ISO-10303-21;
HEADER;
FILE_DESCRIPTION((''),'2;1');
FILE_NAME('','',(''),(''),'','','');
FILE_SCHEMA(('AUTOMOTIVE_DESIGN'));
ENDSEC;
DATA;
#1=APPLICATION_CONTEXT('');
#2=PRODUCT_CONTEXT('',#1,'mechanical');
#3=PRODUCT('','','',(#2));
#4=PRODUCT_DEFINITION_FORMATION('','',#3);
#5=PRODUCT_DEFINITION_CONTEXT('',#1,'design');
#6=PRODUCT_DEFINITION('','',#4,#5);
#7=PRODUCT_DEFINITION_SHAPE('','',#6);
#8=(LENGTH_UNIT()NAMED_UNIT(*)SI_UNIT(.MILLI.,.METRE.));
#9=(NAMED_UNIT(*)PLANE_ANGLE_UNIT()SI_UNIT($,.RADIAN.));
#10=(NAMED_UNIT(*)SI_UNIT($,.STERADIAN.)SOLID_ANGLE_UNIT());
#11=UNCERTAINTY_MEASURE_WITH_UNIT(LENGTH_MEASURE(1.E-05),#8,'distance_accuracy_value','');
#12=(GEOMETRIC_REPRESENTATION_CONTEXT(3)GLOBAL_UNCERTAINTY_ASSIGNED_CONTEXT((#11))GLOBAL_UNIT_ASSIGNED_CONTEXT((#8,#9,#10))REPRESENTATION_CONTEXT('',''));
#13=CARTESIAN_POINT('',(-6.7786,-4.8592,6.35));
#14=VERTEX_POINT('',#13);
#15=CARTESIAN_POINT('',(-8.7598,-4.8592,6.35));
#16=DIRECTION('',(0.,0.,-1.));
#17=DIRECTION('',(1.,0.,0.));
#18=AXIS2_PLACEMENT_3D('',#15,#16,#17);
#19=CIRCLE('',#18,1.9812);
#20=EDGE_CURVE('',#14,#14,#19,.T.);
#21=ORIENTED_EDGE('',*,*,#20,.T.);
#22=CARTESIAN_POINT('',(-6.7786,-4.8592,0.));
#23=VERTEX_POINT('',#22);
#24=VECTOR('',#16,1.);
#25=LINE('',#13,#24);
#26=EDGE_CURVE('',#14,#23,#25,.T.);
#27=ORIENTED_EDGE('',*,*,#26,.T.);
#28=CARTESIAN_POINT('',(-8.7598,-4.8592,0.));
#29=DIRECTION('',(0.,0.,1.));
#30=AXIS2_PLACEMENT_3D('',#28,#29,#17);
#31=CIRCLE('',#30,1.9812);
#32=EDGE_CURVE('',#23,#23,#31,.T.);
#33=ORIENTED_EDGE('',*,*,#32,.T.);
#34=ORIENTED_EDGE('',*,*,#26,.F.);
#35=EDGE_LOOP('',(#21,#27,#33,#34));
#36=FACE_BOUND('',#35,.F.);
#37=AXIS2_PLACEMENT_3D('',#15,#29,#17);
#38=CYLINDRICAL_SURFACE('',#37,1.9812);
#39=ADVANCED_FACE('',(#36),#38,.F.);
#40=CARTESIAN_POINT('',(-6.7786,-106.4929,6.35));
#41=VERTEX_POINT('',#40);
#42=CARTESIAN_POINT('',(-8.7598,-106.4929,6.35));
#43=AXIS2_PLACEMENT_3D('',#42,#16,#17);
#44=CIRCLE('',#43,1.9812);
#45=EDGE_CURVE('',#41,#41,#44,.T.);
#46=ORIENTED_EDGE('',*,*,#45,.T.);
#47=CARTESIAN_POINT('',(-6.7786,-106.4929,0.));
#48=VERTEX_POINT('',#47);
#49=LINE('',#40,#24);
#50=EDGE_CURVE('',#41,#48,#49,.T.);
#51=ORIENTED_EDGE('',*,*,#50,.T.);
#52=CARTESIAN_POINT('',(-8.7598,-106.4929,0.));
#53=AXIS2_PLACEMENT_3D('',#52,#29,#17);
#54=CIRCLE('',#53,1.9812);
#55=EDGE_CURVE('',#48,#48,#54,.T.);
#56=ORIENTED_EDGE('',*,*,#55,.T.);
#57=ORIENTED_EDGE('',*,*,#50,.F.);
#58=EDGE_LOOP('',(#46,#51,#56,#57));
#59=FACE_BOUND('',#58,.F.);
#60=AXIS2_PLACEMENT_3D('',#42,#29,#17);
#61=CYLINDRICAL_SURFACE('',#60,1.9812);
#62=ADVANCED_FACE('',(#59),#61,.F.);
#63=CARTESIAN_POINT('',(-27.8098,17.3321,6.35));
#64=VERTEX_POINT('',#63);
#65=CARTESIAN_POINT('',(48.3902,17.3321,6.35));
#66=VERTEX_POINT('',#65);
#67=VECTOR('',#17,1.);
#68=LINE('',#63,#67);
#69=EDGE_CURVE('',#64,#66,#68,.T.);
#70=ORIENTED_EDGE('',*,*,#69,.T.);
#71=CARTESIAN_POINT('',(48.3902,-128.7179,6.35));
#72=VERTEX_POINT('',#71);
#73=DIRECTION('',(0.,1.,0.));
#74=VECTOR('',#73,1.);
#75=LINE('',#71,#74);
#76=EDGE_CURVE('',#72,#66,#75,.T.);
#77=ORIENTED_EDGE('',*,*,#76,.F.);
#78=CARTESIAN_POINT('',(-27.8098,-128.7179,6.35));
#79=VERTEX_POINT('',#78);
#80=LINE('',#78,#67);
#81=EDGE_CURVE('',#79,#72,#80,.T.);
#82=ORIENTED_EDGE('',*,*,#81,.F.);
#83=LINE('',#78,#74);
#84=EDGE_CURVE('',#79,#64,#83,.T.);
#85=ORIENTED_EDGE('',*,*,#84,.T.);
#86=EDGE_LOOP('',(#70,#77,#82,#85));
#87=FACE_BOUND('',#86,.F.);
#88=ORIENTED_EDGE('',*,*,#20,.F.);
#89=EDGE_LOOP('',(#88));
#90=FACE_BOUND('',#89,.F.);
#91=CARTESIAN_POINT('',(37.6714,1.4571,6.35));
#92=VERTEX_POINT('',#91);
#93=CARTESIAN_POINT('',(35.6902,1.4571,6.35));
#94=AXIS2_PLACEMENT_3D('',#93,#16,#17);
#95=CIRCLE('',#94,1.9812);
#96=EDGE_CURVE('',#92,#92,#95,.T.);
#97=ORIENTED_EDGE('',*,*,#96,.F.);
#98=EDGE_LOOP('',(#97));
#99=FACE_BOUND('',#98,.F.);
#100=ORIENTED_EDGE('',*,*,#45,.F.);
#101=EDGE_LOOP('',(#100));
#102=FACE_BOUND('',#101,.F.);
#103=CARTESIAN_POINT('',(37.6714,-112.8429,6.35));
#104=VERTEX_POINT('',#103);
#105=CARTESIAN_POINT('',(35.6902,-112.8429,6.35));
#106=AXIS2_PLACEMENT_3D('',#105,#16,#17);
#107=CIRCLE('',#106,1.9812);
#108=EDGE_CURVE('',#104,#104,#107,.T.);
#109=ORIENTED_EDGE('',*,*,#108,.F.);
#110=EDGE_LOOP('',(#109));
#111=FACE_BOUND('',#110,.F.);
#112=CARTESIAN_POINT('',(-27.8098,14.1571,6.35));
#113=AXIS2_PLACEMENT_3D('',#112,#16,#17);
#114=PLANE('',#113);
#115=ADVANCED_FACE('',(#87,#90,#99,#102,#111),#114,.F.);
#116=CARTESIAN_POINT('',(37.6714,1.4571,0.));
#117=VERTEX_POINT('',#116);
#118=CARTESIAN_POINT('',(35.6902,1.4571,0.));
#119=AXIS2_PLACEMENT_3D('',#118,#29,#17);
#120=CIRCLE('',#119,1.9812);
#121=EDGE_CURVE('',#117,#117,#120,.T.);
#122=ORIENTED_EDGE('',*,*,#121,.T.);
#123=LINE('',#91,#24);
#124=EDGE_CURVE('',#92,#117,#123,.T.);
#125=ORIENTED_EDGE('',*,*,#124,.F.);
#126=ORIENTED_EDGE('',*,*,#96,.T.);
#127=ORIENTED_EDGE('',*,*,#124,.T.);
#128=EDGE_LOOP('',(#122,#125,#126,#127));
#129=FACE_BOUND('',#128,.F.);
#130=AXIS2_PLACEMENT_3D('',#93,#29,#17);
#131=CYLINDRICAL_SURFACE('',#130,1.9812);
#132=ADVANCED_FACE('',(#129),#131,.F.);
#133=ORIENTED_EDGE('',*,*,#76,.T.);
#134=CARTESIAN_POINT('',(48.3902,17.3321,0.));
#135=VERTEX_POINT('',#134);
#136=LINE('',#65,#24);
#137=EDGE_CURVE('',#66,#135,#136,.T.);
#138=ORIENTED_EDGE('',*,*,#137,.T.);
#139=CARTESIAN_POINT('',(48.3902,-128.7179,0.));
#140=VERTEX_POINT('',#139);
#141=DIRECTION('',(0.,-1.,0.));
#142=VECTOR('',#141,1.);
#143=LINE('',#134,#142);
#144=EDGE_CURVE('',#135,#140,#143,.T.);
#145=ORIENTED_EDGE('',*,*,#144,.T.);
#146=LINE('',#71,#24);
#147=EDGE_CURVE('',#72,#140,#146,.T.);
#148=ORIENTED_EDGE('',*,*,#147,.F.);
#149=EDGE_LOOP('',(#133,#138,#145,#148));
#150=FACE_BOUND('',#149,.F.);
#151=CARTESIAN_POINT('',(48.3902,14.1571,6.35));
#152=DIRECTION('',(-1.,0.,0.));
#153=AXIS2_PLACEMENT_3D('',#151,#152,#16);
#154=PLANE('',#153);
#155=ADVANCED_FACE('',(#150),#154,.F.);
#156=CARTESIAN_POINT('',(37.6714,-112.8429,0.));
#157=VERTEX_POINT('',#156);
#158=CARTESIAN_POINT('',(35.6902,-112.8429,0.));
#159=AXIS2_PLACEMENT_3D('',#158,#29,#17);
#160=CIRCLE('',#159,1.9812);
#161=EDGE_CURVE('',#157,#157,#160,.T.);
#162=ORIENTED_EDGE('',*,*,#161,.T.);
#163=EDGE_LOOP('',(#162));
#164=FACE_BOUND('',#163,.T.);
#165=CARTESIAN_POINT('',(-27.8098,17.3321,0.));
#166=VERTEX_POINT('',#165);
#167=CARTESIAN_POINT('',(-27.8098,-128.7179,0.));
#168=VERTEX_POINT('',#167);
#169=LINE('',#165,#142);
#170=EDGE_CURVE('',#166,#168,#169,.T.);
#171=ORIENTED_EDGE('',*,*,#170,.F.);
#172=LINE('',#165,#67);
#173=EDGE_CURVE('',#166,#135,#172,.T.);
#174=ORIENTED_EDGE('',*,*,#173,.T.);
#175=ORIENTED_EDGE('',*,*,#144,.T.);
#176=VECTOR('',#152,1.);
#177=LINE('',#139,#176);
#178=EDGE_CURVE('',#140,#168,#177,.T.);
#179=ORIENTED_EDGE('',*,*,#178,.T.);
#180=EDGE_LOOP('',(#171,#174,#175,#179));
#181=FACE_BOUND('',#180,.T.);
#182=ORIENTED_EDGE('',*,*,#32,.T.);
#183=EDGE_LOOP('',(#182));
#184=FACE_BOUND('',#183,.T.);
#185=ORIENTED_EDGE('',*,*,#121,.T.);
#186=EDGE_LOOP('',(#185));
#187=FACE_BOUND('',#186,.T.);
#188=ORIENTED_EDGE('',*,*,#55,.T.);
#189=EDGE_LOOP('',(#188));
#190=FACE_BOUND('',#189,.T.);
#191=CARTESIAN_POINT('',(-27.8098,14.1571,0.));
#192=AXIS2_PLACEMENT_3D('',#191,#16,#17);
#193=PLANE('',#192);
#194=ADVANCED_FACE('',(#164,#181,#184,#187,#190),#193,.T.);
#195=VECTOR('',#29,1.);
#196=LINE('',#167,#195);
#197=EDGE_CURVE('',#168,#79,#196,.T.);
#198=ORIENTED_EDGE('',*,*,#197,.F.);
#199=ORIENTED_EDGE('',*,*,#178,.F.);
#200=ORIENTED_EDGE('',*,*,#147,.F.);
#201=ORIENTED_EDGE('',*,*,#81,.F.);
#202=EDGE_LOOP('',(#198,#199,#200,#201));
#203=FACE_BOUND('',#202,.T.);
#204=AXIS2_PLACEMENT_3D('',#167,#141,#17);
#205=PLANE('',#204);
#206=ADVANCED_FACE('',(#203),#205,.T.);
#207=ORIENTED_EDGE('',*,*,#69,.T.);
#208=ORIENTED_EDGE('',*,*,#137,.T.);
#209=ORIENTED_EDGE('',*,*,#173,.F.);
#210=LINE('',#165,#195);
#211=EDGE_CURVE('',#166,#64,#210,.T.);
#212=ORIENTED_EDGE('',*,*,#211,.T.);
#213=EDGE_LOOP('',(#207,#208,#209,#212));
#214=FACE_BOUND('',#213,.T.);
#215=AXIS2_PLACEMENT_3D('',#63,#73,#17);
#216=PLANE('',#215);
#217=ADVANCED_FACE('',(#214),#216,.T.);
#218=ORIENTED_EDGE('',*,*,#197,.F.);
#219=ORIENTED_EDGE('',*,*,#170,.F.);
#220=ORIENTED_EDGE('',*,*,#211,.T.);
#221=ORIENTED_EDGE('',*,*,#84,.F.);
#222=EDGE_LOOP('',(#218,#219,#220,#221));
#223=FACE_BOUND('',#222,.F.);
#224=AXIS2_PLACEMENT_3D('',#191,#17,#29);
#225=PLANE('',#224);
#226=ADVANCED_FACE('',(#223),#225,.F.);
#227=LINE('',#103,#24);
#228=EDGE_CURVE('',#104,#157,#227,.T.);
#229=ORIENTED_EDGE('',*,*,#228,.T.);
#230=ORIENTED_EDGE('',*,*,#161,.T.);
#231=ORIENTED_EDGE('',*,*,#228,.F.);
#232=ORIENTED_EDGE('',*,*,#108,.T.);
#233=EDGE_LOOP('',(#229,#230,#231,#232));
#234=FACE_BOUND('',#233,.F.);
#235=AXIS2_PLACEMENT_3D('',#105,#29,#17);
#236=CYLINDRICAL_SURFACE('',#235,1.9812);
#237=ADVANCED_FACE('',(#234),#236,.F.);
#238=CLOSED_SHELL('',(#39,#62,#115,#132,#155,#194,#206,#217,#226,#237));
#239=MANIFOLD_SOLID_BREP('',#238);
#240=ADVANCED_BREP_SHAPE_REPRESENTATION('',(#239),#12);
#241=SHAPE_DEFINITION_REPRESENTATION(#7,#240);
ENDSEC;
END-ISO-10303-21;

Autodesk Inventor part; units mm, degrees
ref_plane "YZ Plane" through (0, 0, 0) normal (1, 0, 0) x (0, 1, 0)
ref_plane "XZ Plane" through (0, 0, 0) normal (0, 1, 0) x (-1, 0, 0)
ref_plane "XY Plane" through (0, 0, 0) normal (0, 0, 1) x (1, 0, 0)
sketch "Sketch1" plane through (0, 0, 0) normal (0, 0, 1) x (1, 0, 0)
  line L0 (-27.8098, 14.1571) -> (47.1902, 14.1571)
  line L1 (47.1902, 14.1571) -> (47.1902, -138.2429)
  line L2 (47.1902, -138.2429) -> (-27.8098, -138.2429)
  line L3 (-27.8098, -138.2429) -> (-27.8098, 14.1571)
  point P0 (0, 0)
  dimension "d0" = 75
  dimension "d1" = 152.4
extrude "Extrusion1" add sketch "Sketch1" along normal blind 6.35
sketch "Sketch2" plane through (0, 0, 6.35) normal (0, 0, 1) x (1, 0, 0)
  line L0 (47.1902, 14.1571) -> (47.1902, -138.2429) projected
  line L1 (-27.8098, -138.2429) -> (47.1902, -138.2429)
  line L2 (47.1902, -138.2429) -> (47.1902, -125.5429)
  line L3 (47.1902, -125.5429) -> (-27.8098, -125.5429)
  line L4 (-27.8098, -125.5429) -> (-27.8098, -138.2429)
  point P0 (0, 0)
  dimension "d4" = 12.7
extrude "Extrusion2" cut sketch "Sketch2" against normal blind 25.4
sketch "Sketch3" plane through (0, 0, 6.35) normal (0, 0, 1) x (1, 0, 0)
  line L0 (47.1902, -125.5429) -> (34.4902, -125.5429)
  line L1 (34.4902, -125.5429) -> (34.4902, -112.8429)
  line L2 (34.4902, -112.8429) -> (47.1902, -112.8429)
  line L3 (47.1902, -112.8429) -> (47.1902, -125.5429)
  line L4 (-27.8098, -125.5429) -> (-8.7598, -125.5429)
  line L5 (-8.7598, -125.5429) -> (-8.7598, -106.4929)
  line L6 (-8.7598, -106.4929) -> (-27.8098, -106.4929)
  line L7 (-27.8098, -106.4929) -> (-27.8098, -125.5429)
  line L8 (-27.8098, 14.1571) -> (-8.7598, 14.1571)
  line L9 (-8.7598, 14.1571) -> (-8.7598, -4.8592)
  line L10 (-8.7598, -4.8592) -> (-27.8098, -4.8592)
  line L11 (-27.8098, -4.8592) -> (-27.8098, 14.1571)
  line L12 (47.1902, 14.1571) -> (34.4902, 14.1571)
  line L13 (34.4902, 14.1571) -> (34.4902, 1.4571)
  line L14 (34.4902, 1.4571) -> (47.1902, 1.4571)
  line L15 (47.1902, 1.4571) -> (47.1902, 14.1571)
  circle A0 centre (-8.7598, -106.4929) radius 1.9812
  circle A1 centre (-8.7598, -4.8592) radius 1.9812
  circle A2 centre (34.4902, 1.4571) radius 1.9812
  circle A3 centre (34.4902, -112.8429) radius 1.9812
  point P0 (0, 0)
  dimension "d7" = 12.7
  dimension "d8" = 12.7
  dimension "d9" = 19.05
  dimension "d10" = 19.05
  dimension "d11" = 19.05
  dimension "d12" = 12.7
  dimension "d13" = 12.7
  dimension "d14" = 3.9624
  dimension "d15" = 3.9624
extrude "Extrusion3" cut sketch "Sketch3" against normal blind 25.4 contours A3 L2 L1 | L1 L2 A3 | A0 L6 L5 | L5 L6 A0 | A1 L10 L9 | L9 L10 A1 | A2 L14 L13 | L13 L14 A2
sketch "Sketch4" plane through (0, 0, 6.35) normal (0, 0, 1) x (1, 0, 0)
  circle A0 centre (34.4902, -112.8429) radius 1.9812 projected
  circle A1 centre (34.4902, 1.4571) radius 1.9812 projected
  point P0 (0, 0)
extrude "Extrusion4" add sketch "Sketch4" against normal blind 6.35
sketch "Sketch5" plane through (-27.8098, 14.1571, 0) normal (-1, 0, 0) x (0, 0, 1)
  line L0 (0, -139.7) -> (0, 0) projected
  line L1 (6.35, 0) -> (0, 0)
  line L2 (0, 0) -> (0, -6.9273)
  line L3 (0, -6.9273) -> (6.35, -6.9273)
  line L4 (6.35, -6.9273) -> (6.35, 0)
  point P0 (0, -14.1571)
extrude "Extrusion5" add sketch "Sketch5" against normal blind 76.2
sketch "Sketch6" plane through (48.3902, 14.1571, 0) normal (1, 0, 0) x (0, 0, -1)
  line L0 (0, 0) -> (0, -6.9273) projected
  line L1 (-6.35, 0) -> (0, 0) projected
  line L2 (-6.35, -6.9273) -> (-6.35, 0) projected
  line L3 (0, -6.9273) -> (-6.35, -6.9273) projected
  line L4 (-6.35, 0) -> (0, 0)
  line L5 (0, 0) -> (0, -139.7)
  line L6 (0, -139.7) -> (-6.35, -139.7)
  line L7 (-6.35, -139.7) -> (-6.35, 0)
  point P0 (0, -14.1571)
  dimension "d22" = 139.7
extrude "Extrusion6" add sketch "Sketch6" against normal blind 2.54 contours L5 L6 L7 L3
sketch "Sketch7" plane through (0, 0, 6.35) normal (0, 0, 1) x (1, 0, 0)
  line L0 (48.3902, -125.5429) -> (35.6902, -125.5429)
  line L1 (35.6902, -125.5429) -> (35.6902, -112.8429)
  line L2 (35.6902, -112.8429) -> (48.3902, -112.8429)
  line L3 (48.3902, -112.8429) -> (48.3902, -125.5429)
  line L4 (48.3902, 14.1571) -> (35.6902, 14.1571)
  line L5 (35.6902, 14.1571) -> (35.6902, 1.4571)
  line L6 (35.6902, 1.4571) -> (48.3902, 1.4571)
  line L7 (48.3902, 1.4571) -> (48.3902, 14.1571)
  circle A0 centre (35.6902, -112.8429) radius 1.9812
  circle A1 centre (35.6902, 1.4571) radius 1.9812
  point P0 (0, 0)
  dimension "d25" = 12.7
  dimension "d26" = 12.7
  dimension "d27" = 12.7
  dimension "d28" = 12.7
  dimension "d29" = 3.9624
  dimension "d30" = 3.9624
extrude "Extrusion7" cut sketch "Sketch7" against normal blind 25.4 contours A0 L2 L1 | L1 L2 A0 | A1 L6 L5 | L5 L6 A1
sketch "Sketch8" plane through (-27.8098, -125.5429, 0) normal (0, -1, 0) x (1, 0, 0)
  line L0 (0, 6.35) -> (76.2, 6.35) projected
  line L1 (0, 0) -> (0, 6.35) projected
  line L2 (76.2, 0) -> (0, 0) projected
  line L3 (76.2, 6.35) -> (76.2, 0) projected
  point P0 (27.8098, 0)
extrude "Extrusion8" add sketch "Sketch8" along normal blind 3.175
sketch "Sketch9" plane through (-27.8098, 14.1571, 6.35) normal (0, 1, 0) x (1, 0, 0)
  line L0 (0, 0) -> (76.2, 0) projected
  line L1 (76.2, 0) -> (76.2, 6.35) projected
  line L2 (0, 6.35) -> (76.2, 6.35) projected
  line L3 (0, 6.35) -> (0, 0) projected
  point P0 (27.8098, 6.35)
extrude "Extrusion9" add sketch "Sketch9" along normal blind 3.175
properties part number "bottombase"
